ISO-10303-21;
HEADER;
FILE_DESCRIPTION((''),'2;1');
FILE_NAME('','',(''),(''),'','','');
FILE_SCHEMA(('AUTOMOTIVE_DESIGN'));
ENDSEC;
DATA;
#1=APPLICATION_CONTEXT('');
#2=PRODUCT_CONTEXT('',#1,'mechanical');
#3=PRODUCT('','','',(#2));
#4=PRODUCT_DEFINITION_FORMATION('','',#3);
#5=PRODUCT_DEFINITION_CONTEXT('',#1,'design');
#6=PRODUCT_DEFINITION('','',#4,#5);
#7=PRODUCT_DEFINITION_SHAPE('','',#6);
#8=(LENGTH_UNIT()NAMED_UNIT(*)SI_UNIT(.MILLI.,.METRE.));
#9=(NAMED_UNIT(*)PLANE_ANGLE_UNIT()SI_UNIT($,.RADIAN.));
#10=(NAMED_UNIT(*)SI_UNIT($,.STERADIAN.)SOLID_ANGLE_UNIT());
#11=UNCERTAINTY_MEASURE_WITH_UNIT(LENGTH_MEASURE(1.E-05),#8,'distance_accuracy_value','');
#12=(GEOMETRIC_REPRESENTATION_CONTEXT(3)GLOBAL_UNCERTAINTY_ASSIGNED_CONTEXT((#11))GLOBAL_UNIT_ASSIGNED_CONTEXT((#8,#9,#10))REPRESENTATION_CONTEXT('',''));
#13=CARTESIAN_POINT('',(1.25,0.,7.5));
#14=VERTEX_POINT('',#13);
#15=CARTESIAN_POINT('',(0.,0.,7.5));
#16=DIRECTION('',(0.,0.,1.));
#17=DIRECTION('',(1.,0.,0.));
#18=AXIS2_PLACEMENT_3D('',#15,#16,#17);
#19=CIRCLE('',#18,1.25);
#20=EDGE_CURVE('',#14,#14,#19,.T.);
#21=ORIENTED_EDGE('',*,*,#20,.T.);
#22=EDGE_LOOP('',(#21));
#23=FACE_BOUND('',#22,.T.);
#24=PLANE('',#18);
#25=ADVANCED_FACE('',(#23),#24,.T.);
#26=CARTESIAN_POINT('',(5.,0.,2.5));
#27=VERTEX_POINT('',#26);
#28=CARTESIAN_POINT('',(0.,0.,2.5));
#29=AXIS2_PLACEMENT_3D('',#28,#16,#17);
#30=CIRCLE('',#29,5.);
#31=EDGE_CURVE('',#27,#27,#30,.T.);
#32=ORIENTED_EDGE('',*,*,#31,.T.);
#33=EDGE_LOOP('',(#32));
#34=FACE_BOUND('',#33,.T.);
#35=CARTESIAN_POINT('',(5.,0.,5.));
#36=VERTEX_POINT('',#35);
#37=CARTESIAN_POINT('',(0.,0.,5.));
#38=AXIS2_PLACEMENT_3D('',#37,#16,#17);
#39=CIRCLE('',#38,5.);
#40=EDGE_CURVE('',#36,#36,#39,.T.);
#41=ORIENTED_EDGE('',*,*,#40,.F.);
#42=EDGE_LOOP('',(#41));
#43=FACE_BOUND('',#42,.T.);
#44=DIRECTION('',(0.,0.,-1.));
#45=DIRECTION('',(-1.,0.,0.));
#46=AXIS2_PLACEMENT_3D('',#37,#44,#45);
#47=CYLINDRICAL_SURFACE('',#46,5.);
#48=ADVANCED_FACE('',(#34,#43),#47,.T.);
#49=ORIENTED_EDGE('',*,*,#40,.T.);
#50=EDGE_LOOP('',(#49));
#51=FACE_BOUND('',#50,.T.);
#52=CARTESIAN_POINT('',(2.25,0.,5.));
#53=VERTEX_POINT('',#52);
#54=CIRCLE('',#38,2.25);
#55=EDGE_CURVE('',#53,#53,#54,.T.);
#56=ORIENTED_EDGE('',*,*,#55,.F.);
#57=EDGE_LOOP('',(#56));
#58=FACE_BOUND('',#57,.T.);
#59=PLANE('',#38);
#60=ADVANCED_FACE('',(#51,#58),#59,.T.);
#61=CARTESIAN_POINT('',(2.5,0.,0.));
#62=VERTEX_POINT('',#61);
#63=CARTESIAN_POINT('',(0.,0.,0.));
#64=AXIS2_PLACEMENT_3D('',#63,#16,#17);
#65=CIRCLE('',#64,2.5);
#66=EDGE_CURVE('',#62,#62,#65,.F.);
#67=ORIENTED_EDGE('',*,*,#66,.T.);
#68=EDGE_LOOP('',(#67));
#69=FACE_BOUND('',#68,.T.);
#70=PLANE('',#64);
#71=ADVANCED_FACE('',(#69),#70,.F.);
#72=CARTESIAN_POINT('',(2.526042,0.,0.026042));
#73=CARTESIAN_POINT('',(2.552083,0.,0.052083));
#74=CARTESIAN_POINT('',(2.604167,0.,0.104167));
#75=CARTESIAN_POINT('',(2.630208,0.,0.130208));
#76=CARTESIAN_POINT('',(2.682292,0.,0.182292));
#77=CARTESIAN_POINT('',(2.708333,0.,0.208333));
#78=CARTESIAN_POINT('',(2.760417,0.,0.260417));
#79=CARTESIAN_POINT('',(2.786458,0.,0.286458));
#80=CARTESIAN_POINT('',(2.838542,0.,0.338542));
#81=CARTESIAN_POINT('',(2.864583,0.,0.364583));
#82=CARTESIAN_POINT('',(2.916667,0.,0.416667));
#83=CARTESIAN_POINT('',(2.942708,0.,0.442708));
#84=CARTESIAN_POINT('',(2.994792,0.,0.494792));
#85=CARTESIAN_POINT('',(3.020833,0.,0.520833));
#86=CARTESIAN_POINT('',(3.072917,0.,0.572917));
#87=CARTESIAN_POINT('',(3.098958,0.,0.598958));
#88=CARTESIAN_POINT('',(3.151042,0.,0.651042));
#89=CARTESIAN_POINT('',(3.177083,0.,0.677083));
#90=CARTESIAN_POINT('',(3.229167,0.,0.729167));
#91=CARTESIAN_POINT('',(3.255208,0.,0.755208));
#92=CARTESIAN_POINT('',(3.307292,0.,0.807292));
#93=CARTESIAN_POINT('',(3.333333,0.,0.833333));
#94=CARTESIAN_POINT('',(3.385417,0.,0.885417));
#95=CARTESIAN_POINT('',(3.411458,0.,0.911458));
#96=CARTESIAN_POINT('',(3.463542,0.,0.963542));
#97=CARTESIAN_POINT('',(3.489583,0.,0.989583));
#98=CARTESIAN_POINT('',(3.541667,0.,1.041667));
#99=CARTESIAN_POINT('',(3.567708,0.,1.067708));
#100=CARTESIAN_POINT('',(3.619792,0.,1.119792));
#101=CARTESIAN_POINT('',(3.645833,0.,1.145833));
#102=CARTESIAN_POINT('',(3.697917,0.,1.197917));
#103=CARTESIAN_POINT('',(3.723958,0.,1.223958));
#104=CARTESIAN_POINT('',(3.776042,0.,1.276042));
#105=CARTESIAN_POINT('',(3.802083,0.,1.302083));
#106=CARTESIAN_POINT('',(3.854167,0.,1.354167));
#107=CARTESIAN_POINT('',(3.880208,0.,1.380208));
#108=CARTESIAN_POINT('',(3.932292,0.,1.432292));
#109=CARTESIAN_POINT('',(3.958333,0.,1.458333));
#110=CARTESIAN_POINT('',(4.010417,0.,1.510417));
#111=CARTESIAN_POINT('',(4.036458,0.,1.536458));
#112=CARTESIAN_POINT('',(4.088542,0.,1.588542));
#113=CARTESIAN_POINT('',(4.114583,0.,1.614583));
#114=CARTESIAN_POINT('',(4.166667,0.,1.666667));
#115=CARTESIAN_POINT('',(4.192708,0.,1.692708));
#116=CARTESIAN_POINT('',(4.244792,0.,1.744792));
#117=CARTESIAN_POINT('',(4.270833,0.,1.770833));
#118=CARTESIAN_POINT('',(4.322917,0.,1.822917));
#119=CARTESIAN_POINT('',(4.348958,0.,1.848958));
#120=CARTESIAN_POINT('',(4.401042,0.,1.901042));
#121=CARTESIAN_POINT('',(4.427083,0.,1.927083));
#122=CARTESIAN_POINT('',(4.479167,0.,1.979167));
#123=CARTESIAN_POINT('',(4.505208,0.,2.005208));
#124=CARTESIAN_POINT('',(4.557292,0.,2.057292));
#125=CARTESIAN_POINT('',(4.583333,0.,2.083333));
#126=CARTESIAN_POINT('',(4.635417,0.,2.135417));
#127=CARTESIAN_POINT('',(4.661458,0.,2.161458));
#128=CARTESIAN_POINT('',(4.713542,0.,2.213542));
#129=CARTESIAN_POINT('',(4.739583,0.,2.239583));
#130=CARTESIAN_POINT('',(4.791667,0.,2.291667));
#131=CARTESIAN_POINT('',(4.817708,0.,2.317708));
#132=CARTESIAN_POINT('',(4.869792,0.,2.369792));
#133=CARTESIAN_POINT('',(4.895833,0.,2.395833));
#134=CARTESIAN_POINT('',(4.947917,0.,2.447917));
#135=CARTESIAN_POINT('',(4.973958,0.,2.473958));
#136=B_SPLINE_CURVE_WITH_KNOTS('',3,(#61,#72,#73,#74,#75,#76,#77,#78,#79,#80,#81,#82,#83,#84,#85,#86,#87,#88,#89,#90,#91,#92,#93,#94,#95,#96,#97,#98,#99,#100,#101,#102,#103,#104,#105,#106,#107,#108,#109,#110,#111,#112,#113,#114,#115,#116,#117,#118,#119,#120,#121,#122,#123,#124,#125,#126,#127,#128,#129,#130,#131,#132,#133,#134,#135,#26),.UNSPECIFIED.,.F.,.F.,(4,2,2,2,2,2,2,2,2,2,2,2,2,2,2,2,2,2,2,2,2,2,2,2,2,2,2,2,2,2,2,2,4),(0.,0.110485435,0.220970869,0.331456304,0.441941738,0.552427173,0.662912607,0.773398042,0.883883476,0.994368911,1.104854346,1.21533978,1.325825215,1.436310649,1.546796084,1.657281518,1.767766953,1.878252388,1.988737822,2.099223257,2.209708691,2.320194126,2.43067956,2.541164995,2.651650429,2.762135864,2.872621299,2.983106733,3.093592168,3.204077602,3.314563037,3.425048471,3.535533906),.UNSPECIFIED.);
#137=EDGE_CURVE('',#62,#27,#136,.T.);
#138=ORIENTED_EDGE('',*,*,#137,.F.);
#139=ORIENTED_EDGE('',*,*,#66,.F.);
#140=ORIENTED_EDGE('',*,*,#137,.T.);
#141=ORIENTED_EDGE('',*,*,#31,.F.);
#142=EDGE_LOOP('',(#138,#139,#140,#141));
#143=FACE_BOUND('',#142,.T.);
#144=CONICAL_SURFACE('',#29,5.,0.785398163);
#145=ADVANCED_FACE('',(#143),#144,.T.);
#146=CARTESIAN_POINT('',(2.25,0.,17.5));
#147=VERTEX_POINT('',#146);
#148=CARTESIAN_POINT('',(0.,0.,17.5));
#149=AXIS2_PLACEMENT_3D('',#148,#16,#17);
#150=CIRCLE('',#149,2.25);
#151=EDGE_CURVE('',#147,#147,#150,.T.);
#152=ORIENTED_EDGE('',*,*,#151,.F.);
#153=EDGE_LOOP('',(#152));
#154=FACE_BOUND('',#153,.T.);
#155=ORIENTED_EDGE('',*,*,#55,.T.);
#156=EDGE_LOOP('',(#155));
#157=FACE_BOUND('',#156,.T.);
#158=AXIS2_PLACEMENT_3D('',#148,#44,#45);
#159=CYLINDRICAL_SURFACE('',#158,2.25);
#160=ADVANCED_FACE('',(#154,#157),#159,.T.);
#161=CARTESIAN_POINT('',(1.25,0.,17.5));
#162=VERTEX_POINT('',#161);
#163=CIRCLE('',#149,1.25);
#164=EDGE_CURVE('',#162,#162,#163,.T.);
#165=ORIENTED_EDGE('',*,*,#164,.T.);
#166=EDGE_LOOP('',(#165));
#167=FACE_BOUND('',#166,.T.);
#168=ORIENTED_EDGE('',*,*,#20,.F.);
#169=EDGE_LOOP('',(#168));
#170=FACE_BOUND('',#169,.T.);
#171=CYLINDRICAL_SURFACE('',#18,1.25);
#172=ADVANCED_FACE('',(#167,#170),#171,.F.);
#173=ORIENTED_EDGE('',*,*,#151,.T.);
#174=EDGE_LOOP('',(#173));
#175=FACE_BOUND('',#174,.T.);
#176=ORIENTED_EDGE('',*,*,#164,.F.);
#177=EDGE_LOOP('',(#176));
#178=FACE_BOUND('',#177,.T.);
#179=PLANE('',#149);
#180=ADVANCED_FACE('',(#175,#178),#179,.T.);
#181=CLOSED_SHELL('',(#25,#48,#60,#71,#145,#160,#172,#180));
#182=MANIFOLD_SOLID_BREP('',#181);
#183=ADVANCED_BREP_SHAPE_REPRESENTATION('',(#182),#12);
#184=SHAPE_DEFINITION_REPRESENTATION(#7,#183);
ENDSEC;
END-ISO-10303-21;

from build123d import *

# Parameters (mm, degrees)
SKETCH1_R           = 5
BOSS_EXTRUDE1_DEPTH = 5
SKETCH2_R           = 2.25
BOSS_EXTRUDE2_DEPTH = 12.5
SKETCH3_R           = 1.25
CUT_EXTRUDE1_DEPTH  = 10
CHAMFER1_SIZE       = 2.5


with BuildPart() as part:
    # Sketch1 → Boss-Extrude1 (new body)
    with BuildSketch(Plane.XY):
        Circle(SKETCH1_R)
    extrude(amount=BOSS_EXTRUDE1_DEPTH)

    # Sketch2 → Boss-Extrude2 (add)
    with BuildSketch(Plane.XY.offset(5)):
        Circle(SKETCH2_R)
    extrude(amount=BOSS_EXTRUDE2_DEPTH)

    # Sketch3 → Cut-Extrude1 (cut)
    with BuildSketch(Plane.XY.offset(17.5)):
        Circle(SKETCH3_R)
    extrude(amount=-CUT_EXTRUDE1_DEPTH, mode=Mode.SUBTRACT)

    # Chamfer1
    chamfer1_edges = [part.edges().sort_by_distance(p)[0] for p in [
        (-5, 0, 0),
    ]]
    chamfer(chamfer1_edges, length=CHAMFER1_SIZE)


solid = part.part
